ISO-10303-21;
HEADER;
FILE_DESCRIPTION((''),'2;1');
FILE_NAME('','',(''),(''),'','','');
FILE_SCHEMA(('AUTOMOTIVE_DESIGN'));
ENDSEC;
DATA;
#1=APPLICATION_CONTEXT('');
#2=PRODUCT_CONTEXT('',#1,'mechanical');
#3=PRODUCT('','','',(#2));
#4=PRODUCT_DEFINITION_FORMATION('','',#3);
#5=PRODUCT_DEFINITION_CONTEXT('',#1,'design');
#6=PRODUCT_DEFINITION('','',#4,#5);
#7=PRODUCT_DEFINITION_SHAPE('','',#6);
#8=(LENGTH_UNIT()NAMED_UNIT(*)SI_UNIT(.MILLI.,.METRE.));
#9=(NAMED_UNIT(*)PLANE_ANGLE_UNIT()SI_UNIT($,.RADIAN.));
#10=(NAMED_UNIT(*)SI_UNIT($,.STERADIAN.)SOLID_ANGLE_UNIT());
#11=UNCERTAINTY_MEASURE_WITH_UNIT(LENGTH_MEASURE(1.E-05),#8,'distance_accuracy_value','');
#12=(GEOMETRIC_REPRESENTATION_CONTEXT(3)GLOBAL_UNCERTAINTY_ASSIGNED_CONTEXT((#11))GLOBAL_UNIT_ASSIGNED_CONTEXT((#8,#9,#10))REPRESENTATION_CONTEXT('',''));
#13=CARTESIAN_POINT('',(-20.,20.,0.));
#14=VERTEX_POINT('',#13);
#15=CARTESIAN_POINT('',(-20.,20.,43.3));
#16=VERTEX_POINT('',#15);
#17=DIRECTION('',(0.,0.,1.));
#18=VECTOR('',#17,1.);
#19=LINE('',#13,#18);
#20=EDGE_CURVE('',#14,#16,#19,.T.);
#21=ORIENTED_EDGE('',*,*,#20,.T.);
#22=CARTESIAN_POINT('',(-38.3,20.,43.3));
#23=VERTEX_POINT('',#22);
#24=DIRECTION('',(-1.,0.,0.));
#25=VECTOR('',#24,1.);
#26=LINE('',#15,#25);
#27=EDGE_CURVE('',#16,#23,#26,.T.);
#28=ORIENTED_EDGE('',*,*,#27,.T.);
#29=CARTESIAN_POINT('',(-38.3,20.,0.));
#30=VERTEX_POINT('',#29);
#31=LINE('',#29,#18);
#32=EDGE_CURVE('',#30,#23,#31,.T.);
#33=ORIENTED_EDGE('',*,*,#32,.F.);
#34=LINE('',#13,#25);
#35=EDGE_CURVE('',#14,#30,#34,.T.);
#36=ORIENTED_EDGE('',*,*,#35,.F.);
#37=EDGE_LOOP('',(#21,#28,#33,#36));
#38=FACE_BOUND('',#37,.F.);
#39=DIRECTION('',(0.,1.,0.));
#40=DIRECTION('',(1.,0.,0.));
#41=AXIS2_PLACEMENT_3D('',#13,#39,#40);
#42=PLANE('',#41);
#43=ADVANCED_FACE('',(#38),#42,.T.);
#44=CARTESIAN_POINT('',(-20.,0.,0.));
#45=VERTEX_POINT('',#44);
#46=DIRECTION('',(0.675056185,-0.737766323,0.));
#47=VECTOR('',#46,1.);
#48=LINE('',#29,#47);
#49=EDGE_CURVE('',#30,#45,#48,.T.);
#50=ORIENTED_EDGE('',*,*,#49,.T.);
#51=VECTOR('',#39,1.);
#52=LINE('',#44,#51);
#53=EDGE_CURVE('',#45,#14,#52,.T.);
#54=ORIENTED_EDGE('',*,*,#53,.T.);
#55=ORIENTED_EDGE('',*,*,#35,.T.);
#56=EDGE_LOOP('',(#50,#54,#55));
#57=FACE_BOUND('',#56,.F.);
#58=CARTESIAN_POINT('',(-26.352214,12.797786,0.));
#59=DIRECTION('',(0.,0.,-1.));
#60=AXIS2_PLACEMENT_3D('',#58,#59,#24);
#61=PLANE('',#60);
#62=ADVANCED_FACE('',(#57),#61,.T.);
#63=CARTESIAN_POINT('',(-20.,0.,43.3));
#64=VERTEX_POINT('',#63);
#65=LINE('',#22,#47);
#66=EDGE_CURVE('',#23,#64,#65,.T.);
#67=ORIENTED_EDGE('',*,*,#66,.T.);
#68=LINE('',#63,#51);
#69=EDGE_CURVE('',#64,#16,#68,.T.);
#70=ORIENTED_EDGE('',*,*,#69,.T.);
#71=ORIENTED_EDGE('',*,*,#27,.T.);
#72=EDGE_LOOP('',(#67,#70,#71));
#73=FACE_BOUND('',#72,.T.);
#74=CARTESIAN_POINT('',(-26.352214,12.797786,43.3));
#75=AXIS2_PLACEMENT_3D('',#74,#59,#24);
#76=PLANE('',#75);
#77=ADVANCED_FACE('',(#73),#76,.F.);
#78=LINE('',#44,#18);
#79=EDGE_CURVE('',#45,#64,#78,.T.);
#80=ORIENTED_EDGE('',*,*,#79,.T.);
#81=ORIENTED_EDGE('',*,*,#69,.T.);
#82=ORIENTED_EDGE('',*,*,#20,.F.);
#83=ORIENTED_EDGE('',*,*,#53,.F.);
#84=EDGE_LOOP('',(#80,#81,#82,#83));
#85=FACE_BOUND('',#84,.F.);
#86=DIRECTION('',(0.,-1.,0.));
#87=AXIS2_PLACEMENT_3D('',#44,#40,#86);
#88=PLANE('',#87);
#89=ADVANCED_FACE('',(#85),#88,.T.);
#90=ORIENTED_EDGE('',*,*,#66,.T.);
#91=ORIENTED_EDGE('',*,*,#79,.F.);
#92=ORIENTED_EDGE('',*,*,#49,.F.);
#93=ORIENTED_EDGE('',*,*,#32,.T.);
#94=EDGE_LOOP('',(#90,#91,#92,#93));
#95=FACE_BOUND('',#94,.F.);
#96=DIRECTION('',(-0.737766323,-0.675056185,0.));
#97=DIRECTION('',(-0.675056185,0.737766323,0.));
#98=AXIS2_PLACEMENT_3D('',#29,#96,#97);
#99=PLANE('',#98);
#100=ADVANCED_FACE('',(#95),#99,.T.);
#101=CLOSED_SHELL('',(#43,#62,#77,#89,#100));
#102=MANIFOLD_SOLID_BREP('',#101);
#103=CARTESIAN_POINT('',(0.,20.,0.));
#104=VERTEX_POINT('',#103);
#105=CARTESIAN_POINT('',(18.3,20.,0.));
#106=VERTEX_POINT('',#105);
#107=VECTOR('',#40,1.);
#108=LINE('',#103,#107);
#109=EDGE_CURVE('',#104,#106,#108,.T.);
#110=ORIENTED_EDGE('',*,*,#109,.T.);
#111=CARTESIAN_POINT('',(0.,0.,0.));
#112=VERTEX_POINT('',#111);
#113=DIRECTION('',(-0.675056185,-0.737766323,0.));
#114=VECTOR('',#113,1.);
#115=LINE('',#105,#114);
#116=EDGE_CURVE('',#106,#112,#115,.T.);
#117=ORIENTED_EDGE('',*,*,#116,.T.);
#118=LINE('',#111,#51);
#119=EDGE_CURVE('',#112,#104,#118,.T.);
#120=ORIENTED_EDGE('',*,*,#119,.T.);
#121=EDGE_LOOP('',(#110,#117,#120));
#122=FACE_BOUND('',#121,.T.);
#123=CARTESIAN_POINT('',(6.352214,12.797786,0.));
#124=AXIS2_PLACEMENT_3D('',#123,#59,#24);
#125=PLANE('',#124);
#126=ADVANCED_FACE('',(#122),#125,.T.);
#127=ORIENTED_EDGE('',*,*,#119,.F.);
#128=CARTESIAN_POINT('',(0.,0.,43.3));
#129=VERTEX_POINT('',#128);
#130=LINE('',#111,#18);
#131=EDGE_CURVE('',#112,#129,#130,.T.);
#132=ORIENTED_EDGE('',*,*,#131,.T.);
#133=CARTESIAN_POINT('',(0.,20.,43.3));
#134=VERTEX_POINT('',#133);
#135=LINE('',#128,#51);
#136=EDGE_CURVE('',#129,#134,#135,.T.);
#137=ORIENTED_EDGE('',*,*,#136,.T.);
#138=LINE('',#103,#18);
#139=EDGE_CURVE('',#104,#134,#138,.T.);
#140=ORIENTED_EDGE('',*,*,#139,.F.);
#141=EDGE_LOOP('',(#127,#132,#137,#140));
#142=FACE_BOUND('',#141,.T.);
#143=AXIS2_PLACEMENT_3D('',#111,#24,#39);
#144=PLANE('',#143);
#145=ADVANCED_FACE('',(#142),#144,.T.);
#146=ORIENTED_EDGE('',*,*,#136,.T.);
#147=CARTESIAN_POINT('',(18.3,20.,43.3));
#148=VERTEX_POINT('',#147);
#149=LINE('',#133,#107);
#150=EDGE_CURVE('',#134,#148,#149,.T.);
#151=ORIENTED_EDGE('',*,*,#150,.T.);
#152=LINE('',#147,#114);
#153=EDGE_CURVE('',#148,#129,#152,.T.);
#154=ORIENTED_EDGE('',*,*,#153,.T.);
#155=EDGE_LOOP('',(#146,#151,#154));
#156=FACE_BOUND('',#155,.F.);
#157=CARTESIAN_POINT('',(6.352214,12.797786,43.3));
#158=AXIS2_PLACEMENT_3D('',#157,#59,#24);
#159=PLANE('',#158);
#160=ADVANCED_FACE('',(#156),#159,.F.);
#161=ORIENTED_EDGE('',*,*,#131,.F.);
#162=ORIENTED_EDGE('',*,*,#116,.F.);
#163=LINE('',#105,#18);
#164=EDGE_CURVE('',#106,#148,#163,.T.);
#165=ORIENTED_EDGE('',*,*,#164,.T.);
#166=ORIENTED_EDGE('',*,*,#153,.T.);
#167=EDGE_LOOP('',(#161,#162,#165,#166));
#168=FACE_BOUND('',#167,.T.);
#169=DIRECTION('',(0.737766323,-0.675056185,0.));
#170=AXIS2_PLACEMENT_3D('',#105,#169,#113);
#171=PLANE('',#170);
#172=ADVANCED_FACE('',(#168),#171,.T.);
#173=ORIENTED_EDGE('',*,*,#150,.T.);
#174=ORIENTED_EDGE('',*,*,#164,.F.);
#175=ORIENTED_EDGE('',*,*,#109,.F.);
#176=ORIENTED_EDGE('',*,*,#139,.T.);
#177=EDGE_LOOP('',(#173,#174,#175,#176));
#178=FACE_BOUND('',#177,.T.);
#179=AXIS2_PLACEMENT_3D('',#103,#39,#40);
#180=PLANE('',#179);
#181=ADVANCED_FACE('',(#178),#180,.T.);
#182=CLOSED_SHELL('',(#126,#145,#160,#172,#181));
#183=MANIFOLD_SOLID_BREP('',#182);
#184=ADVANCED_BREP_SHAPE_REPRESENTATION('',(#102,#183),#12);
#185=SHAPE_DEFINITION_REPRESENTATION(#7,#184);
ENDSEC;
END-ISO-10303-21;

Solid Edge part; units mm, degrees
sketch "Sketch1" plane through (0, 0, 0) normal (0, 0, 1) x (1, 0, 0)
  line L0 (0, 20) -> (18.3, 20)
  line L1 (18.3, 20) -> (0, 0)
  line L2 (0, 0) -> (0, 20)
extrude "Protrusion1" add sketch "Sketch1" along normal blind 43.3
mirror "Mirror1" about plane through (-10, 10, 21.65) normal (-1, 0, 0) of "Protrusion1"
